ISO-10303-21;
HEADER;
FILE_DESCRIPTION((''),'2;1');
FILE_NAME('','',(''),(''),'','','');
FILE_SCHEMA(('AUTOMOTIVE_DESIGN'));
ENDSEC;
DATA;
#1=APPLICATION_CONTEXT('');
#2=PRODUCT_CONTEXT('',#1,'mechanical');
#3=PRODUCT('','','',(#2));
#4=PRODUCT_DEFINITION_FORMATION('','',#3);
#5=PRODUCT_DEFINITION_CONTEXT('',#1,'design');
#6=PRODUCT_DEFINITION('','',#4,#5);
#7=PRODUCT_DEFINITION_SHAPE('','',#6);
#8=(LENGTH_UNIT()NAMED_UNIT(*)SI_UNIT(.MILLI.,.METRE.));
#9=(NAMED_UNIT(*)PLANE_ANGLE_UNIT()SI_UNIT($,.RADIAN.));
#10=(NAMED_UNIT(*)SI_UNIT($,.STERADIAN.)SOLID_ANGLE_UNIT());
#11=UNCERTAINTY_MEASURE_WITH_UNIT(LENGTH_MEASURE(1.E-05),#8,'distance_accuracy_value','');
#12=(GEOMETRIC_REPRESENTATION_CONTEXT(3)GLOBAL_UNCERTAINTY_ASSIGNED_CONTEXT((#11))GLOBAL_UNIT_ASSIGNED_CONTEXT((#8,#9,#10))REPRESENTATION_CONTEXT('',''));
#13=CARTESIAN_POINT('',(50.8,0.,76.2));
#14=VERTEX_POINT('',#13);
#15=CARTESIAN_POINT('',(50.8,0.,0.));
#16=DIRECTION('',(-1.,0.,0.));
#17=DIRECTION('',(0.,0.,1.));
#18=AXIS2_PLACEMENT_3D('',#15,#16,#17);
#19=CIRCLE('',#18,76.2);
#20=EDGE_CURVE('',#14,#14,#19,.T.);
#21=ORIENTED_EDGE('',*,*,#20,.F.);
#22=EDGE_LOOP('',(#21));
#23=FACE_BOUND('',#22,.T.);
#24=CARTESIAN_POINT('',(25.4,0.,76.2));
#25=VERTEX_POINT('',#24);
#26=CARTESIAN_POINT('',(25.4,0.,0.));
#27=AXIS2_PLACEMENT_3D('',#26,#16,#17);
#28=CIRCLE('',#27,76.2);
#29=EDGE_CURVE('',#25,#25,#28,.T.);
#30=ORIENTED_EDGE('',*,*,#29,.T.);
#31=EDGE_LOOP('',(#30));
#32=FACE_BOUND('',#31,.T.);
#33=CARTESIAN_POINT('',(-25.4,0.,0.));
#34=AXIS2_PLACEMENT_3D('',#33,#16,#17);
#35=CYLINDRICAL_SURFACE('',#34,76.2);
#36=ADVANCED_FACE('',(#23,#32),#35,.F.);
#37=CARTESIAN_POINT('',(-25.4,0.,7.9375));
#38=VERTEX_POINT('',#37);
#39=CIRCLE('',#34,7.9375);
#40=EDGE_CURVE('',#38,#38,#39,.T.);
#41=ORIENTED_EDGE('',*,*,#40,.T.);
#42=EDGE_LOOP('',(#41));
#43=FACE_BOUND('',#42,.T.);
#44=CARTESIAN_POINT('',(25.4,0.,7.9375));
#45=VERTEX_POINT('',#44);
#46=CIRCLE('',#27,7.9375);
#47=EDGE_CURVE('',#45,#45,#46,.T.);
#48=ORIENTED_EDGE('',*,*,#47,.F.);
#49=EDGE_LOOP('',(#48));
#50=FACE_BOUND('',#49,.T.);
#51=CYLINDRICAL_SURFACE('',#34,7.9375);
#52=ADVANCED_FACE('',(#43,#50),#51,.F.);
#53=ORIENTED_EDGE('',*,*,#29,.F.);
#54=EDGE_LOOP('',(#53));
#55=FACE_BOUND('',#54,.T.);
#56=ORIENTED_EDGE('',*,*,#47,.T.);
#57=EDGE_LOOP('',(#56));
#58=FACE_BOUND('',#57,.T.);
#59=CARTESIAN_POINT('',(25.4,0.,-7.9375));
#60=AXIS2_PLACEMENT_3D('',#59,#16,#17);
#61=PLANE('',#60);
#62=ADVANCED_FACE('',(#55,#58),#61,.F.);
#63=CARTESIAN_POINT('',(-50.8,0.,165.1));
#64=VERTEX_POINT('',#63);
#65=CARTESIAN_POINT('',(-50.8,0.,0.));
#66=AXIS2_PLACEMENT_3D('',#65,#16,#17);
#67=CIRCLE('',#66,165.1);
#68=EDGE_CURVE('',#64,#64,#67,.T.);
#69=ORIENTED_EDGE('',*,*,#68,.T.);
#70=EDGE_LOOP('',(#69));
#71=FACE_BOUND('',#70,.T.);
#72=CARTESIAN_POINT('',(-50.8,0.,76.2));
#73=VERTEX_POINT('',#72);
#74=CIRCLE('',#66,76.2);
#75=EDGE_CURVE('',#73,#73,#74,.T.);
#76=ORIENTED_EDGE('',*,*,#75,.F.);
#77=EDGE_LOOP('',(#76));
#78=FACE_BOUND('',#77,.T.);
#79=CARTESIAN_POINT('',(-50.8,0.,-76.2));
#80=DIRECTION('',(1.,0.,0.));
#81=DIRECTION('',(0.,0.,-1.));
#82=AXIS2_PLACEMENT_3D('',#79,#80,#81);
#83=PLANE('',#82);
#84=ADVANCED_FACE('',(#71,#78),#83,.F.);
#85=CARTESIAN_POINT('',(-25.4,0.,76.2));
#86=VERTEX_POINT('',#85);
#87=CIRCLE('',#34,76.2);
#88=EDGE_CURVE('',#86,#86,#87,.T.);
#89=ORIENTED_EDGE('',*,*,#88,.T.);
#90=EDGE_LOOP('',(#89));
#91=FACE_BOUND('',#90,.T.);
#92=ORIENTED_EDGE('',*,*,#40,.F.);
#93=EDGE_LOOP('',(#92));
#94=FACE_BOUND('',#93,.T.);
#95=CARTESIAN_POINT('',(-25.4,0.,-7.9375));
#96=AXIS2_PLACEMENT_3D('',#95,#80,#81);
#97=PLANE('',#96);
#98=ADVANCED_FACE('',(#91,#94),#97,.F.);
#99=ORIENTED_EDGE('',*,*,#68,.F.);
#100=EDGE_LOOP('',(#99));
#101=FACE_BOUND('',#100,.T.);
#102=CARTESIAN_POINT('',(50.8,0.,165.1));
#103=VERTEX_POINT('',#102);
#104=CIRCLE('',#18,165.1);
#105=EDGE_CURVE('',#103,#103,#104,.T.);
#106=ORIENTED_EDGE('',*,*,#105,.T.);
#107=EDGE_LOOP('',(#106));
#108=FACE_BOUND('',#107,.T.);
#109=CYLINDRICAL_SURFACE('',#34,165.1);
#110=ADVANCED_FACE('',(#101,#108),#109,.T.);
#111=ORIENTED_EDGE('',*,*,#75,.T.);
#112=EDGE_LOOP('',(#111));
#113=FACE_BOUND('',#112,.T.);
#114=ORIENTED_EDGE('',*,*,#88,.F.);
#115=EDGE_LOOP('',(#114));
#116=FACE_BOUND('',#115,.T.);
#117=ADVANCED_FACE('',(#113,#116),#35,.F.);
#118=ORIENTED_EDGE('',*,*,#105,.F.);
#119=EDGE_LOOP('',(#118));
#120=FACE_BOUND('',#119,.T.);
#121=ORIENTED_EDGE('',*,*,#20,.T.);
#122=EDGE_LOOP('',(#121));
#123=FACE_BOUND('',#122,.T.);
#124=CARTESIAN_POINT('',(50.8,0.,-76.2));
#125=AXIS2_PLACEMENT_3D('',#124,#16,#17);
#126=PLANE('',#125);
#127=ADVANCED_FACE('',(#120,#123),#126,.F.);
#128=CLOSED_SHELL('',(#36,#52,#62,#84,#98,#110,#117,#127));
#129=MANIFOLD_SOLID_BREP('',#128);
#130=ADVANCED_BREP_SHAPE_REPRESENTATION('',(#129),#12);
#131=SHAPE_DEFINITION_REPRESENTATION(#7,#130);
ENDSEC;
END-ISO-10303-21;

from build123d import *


with BuildPart() as part:
    # Sketch1 → Revolve1 (revolve)
    with BuildSketch(Plane(origin=(0, 0, 0), x_dir=(1, 0, 0), z_dir=(0, 1, 0)), mode=Mode.PRIVATE) as revolve1_sk:
        Polygon((-50.8, 76.2), (-50.8, 165.1), (50.8, 165.1), (50.8, 76.2), (25.4, 76.2), (25.4, 7.9375), (-25.4, 7.9375), (-25.4, 76.2), align=None)
    revolve(revolve1_sk.sketch.rotate(Axis((-25.4, 0, 0), (1, 0, 0)), 180), axis=Axis((-25.4, 0, 0), (1, 0, 0)))


solid = part.part
